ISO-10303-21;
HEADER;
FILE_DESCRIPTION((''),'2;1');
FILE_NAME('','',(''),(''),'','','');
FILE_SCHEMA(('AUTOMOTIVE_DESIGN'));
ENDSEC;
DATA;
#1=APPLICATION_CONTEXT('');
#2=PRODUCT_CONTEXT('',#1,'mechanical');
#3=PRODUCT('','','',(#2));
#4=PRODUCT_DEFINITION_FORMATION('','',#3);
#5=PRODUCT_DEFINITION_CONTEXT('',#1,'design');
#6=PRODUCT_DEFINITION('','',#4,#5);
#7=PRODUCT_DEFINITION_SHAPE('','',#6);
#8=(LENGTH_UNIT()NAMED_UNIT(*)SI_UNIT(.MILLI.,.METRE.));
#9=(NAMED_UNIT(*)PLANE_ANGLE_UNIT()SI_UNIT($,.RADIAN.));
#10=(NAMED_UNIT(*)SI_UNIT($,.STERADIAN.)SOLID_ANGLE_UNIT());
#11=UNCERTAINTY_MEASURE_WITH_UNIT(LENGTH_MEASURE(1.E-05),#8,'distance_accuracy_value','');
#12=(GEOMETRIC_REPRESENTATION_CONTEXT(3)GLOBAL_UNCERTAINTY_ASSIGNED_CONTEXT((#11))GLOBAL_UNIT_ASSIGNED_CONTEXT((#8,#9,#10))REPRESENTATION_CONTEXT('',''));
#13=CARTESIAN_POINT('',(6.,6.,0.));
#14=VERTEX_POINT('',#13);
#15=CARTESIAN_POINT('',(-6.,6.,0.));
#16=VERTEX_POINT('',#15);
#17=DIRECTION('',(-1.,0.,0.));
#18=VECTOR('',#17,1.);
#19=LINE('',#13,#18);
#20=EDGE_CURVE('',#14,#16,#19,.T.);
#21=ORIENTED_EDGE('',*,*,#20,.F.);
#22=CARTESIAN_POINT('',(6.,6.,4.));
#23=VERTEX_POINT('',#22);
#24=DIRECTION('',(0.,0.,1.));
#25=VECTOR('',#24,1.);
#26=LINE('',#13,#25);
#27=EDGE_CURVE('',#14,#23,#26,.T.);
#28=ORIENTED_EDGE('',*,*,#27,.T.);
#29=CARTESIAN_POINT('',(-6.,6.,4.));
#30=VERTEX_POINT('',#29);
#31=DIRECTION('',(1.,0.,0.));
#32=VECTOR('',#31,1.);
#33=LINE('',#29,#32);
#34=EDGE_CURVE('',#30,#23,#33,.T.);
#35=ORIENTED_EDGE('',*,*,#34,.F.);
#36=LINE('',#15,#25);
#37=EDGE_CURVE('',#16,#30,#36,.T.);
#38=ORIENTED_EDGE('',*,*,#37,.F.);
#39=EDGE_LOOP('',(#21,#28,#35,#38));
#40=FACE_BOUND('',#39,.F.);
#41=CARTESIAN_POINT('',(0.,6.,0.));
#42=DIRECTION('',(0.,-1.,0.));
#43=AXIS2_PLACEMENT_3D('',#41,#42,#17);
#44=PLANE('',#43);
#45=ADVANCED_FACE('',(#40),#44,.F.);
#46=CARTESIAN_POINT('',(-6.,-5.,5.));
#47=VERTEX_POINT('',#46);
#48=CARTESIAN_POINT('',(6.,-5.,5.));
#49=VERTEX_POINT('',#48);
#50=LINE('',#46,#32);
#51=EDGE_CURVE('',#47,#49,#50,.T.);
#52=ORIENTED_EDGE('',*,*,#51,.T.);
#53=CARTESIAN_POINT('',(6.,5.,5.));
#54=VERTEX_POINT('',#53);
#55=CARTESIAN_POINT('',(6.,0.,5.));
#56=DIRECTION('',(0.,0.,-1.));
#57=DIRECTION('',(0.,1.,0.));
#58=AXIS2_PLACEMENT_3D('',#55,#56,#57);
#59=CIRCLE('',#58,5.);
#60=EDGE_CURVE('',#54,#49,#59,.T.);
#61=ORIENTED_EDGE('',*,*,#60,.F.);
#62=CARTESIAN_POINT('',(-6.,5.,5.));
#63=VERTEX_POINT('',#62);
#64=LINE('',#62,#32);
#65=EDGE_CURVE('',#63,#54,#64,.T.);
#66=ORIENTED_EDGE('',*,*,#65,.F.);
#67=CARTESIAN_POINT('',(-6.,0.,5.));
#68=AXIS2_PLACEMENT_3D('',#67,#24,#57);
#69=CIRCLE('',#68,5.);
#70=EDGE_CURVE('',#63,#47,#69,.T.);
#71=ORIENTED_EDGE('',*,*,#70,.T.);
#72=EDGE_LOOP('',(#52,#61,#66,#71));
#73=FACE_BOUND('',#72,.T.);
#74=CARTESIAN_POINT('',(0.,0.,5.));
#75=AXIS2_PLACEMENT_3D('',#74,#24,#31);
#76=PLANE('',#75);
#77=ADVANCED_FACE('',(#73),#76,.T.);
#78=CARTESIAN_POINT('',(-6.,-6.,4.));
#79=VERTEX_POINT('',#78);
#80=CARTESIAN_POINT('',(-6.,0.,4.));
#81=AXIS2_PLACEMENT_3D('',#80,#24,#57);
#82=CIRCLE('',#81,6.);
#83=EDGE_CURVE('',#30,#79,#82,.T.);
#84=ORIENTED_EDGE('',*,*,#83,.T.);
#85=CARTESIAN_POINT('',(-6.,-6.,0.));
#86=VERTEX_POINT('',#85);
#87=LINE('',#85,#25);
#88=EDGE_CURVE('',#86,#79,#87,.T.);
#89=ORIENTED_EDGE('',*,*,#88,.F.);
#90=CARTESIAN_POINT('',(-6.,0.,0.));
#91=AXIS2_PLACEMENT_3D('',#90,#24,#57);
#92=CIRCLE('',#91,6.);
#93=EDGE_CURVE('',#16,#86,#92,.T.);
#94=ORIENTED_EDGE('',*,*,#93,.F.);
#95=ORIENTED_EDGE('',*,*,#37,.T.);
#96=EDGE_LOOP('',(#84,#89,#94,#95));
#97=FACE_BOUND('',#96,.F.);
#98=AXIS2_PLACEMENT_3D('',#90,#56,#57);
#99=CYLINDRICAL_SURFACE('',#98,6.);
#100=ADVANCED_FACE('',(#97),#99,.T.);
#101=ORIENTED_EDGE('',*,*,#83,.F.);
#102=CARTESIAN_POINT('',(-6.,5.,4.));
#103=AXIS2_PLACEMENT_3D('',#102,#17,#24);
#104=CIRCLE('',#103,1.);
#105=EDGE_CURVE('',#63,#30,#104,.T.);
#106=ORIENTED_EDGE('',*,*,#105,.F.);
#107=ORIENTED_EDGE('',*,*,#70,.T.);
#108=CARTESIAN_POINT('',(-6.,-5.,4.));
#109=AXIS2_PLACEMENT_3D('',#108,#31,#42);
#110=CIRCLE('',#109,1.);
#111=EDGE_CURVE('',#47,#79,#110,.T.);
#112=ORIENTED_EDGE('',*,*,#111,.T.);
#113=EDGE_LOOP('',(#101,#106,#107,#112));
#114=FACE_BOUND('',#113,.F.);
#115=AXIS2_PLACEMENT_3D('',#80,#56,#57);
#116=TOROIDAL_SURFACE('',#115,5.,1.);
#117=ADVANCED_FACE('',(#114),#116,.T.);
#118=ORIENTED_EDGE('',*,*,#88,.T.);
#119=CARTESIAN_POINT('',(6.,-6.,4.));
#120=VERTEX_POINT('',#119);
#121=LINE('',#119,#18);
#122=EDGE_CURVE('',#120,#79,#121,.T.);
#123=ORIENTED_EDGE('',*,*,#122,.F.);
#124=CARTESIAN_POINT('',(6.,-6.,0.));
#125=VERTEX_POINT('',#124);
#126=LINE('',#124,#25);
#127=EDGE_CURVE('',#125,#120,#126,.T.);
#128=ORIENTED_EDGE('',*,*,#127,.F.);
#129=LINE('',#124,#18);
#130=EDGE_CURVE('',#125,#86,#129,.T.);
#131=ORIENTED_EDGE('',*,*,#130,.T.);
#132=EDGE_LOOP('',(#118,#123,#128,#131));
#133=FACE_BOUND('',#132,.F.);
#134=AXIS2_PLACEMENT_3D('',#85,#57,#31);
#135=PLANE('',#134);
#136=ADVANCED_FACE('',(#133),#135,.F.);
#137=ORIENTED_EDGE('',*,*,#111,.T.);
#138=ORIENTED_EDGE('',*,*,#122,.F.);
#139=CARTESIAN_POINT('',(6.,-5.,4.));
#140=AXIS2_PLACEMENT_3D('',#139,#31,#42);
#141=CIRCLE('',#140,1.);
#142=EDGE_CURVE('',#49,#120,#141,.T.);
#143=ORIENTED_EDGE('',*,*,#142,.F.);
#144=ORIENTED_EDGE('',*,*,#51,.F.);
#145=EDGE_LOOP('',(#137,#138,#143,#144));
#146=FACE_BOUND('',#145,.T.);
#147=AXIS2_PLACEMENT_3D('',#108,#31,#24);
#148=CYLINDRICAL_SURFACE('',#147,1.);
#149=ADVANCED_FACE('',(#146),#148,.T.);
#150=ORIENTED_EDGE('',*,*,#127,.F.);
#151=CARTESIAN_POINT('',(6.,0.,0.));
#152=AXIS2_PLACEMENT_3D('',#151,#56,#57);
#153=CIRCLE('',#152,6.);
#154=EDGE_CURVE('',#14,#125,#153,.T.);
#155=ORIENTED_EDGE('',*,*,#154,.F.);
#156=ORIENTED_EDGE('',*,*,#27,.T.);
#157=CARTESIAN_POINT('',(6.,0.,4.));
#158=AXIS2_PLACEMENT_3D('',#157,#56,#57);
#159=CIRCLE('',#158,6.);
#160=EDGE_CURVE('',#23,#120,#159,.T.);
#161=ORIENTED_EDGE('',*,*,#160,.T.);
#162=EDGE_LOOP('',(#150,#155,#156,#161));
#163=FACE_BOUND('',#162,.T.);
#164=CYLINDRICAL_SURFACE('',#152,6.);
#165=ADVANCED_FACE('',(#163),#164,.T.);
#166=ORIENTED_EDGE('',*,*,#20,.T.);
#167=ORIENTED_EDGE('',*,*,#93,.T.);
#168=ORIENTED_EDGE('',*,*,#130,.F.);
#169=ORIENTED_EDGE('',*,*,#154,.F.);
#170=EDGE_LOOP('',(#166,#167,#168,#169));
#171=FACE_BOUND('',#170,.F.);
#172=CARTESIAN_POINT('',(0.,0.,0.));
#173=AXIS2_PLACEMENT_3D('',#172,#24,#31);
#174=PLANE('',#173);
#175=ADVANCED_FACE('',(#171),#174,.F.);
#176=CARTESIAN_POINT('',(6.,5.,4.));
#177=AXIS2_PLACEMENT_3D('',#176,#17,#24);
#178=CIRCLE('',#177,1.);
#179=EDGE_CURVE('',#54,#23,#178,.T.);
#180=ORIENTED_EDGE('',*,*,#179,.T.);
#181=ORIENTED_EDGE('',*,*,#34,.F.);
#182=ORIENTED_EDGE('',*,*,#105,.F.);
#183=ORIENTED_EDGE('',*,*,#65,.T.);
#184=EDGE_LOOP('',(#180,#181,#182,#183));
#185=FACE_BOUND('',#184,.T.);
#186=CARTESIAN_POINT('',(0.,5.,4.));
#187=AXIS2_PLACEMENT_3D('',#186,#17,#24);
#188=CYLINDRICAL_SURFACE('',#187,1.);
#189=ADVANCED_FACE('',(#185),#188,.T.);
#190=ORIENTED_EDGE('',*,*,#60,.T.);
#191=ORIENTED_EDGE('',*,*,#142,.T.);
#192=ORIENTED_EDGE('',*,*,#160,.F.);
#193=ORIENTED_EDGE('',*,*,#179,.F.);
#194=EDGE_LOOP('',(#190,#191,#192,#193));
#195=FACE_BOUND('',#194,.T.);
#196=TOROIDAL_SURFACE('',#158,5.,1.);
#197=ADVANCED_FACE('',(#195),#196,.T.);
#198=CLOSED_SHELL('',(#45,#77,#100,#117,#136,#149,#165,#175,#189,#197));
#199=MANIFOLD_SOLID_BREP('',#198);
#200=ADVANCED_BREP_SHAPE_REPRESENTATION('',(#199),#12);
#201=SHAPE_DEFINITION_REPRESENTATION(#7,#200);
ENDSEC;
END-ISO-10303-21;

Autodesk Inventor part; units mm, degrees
ref_plane "YZ Plane" through (0, 0, 0) normal (1, 0, 0) x (0, 1, 0)
ref_plane "XZ Plane" through (0, 0, 0) normal (0, 1, 0) x (-1, 0, 0)
ref_plane "XY Plane" through (0, 0, 0) normal (0, 0, 1) x (1, 0, 0)
sketch "Sketch1" plane through (0, 0, 0) normal (0, 0, 1) x (1, 0, 0)
  line L0 (-14.4, 0) -> (2.4, 0) projected
  line L1 (0, -8.4) -> (0, 8.4) projected
  line L2 (0, 6) -> (-6, 6)
  line L3 (-6, 6) -> (-6, -6)
  line L4 (-6, -6) -> (0, -6)
  line L5 (0, -6) -> (0, 6)
  arc A0 (-6, 6) -> (-6, -6) centre (-6, 0) ccw
  point P0 (0, 0)
  dimension "d0" = 12
  dimension "d1" = 6
extrude "Extrusion1" add sketch "Sketch1" along normal blind 5
fillet "Fillet1" radius 1 3 edges at (-3, -6, 5) (-3, 6, 5) (-12, 0, 5)
mirror "Mirror1" about plane through (0, -6, 0) normal (1, 0, 0)
properties part number "F113" material "ABS Plastic"
